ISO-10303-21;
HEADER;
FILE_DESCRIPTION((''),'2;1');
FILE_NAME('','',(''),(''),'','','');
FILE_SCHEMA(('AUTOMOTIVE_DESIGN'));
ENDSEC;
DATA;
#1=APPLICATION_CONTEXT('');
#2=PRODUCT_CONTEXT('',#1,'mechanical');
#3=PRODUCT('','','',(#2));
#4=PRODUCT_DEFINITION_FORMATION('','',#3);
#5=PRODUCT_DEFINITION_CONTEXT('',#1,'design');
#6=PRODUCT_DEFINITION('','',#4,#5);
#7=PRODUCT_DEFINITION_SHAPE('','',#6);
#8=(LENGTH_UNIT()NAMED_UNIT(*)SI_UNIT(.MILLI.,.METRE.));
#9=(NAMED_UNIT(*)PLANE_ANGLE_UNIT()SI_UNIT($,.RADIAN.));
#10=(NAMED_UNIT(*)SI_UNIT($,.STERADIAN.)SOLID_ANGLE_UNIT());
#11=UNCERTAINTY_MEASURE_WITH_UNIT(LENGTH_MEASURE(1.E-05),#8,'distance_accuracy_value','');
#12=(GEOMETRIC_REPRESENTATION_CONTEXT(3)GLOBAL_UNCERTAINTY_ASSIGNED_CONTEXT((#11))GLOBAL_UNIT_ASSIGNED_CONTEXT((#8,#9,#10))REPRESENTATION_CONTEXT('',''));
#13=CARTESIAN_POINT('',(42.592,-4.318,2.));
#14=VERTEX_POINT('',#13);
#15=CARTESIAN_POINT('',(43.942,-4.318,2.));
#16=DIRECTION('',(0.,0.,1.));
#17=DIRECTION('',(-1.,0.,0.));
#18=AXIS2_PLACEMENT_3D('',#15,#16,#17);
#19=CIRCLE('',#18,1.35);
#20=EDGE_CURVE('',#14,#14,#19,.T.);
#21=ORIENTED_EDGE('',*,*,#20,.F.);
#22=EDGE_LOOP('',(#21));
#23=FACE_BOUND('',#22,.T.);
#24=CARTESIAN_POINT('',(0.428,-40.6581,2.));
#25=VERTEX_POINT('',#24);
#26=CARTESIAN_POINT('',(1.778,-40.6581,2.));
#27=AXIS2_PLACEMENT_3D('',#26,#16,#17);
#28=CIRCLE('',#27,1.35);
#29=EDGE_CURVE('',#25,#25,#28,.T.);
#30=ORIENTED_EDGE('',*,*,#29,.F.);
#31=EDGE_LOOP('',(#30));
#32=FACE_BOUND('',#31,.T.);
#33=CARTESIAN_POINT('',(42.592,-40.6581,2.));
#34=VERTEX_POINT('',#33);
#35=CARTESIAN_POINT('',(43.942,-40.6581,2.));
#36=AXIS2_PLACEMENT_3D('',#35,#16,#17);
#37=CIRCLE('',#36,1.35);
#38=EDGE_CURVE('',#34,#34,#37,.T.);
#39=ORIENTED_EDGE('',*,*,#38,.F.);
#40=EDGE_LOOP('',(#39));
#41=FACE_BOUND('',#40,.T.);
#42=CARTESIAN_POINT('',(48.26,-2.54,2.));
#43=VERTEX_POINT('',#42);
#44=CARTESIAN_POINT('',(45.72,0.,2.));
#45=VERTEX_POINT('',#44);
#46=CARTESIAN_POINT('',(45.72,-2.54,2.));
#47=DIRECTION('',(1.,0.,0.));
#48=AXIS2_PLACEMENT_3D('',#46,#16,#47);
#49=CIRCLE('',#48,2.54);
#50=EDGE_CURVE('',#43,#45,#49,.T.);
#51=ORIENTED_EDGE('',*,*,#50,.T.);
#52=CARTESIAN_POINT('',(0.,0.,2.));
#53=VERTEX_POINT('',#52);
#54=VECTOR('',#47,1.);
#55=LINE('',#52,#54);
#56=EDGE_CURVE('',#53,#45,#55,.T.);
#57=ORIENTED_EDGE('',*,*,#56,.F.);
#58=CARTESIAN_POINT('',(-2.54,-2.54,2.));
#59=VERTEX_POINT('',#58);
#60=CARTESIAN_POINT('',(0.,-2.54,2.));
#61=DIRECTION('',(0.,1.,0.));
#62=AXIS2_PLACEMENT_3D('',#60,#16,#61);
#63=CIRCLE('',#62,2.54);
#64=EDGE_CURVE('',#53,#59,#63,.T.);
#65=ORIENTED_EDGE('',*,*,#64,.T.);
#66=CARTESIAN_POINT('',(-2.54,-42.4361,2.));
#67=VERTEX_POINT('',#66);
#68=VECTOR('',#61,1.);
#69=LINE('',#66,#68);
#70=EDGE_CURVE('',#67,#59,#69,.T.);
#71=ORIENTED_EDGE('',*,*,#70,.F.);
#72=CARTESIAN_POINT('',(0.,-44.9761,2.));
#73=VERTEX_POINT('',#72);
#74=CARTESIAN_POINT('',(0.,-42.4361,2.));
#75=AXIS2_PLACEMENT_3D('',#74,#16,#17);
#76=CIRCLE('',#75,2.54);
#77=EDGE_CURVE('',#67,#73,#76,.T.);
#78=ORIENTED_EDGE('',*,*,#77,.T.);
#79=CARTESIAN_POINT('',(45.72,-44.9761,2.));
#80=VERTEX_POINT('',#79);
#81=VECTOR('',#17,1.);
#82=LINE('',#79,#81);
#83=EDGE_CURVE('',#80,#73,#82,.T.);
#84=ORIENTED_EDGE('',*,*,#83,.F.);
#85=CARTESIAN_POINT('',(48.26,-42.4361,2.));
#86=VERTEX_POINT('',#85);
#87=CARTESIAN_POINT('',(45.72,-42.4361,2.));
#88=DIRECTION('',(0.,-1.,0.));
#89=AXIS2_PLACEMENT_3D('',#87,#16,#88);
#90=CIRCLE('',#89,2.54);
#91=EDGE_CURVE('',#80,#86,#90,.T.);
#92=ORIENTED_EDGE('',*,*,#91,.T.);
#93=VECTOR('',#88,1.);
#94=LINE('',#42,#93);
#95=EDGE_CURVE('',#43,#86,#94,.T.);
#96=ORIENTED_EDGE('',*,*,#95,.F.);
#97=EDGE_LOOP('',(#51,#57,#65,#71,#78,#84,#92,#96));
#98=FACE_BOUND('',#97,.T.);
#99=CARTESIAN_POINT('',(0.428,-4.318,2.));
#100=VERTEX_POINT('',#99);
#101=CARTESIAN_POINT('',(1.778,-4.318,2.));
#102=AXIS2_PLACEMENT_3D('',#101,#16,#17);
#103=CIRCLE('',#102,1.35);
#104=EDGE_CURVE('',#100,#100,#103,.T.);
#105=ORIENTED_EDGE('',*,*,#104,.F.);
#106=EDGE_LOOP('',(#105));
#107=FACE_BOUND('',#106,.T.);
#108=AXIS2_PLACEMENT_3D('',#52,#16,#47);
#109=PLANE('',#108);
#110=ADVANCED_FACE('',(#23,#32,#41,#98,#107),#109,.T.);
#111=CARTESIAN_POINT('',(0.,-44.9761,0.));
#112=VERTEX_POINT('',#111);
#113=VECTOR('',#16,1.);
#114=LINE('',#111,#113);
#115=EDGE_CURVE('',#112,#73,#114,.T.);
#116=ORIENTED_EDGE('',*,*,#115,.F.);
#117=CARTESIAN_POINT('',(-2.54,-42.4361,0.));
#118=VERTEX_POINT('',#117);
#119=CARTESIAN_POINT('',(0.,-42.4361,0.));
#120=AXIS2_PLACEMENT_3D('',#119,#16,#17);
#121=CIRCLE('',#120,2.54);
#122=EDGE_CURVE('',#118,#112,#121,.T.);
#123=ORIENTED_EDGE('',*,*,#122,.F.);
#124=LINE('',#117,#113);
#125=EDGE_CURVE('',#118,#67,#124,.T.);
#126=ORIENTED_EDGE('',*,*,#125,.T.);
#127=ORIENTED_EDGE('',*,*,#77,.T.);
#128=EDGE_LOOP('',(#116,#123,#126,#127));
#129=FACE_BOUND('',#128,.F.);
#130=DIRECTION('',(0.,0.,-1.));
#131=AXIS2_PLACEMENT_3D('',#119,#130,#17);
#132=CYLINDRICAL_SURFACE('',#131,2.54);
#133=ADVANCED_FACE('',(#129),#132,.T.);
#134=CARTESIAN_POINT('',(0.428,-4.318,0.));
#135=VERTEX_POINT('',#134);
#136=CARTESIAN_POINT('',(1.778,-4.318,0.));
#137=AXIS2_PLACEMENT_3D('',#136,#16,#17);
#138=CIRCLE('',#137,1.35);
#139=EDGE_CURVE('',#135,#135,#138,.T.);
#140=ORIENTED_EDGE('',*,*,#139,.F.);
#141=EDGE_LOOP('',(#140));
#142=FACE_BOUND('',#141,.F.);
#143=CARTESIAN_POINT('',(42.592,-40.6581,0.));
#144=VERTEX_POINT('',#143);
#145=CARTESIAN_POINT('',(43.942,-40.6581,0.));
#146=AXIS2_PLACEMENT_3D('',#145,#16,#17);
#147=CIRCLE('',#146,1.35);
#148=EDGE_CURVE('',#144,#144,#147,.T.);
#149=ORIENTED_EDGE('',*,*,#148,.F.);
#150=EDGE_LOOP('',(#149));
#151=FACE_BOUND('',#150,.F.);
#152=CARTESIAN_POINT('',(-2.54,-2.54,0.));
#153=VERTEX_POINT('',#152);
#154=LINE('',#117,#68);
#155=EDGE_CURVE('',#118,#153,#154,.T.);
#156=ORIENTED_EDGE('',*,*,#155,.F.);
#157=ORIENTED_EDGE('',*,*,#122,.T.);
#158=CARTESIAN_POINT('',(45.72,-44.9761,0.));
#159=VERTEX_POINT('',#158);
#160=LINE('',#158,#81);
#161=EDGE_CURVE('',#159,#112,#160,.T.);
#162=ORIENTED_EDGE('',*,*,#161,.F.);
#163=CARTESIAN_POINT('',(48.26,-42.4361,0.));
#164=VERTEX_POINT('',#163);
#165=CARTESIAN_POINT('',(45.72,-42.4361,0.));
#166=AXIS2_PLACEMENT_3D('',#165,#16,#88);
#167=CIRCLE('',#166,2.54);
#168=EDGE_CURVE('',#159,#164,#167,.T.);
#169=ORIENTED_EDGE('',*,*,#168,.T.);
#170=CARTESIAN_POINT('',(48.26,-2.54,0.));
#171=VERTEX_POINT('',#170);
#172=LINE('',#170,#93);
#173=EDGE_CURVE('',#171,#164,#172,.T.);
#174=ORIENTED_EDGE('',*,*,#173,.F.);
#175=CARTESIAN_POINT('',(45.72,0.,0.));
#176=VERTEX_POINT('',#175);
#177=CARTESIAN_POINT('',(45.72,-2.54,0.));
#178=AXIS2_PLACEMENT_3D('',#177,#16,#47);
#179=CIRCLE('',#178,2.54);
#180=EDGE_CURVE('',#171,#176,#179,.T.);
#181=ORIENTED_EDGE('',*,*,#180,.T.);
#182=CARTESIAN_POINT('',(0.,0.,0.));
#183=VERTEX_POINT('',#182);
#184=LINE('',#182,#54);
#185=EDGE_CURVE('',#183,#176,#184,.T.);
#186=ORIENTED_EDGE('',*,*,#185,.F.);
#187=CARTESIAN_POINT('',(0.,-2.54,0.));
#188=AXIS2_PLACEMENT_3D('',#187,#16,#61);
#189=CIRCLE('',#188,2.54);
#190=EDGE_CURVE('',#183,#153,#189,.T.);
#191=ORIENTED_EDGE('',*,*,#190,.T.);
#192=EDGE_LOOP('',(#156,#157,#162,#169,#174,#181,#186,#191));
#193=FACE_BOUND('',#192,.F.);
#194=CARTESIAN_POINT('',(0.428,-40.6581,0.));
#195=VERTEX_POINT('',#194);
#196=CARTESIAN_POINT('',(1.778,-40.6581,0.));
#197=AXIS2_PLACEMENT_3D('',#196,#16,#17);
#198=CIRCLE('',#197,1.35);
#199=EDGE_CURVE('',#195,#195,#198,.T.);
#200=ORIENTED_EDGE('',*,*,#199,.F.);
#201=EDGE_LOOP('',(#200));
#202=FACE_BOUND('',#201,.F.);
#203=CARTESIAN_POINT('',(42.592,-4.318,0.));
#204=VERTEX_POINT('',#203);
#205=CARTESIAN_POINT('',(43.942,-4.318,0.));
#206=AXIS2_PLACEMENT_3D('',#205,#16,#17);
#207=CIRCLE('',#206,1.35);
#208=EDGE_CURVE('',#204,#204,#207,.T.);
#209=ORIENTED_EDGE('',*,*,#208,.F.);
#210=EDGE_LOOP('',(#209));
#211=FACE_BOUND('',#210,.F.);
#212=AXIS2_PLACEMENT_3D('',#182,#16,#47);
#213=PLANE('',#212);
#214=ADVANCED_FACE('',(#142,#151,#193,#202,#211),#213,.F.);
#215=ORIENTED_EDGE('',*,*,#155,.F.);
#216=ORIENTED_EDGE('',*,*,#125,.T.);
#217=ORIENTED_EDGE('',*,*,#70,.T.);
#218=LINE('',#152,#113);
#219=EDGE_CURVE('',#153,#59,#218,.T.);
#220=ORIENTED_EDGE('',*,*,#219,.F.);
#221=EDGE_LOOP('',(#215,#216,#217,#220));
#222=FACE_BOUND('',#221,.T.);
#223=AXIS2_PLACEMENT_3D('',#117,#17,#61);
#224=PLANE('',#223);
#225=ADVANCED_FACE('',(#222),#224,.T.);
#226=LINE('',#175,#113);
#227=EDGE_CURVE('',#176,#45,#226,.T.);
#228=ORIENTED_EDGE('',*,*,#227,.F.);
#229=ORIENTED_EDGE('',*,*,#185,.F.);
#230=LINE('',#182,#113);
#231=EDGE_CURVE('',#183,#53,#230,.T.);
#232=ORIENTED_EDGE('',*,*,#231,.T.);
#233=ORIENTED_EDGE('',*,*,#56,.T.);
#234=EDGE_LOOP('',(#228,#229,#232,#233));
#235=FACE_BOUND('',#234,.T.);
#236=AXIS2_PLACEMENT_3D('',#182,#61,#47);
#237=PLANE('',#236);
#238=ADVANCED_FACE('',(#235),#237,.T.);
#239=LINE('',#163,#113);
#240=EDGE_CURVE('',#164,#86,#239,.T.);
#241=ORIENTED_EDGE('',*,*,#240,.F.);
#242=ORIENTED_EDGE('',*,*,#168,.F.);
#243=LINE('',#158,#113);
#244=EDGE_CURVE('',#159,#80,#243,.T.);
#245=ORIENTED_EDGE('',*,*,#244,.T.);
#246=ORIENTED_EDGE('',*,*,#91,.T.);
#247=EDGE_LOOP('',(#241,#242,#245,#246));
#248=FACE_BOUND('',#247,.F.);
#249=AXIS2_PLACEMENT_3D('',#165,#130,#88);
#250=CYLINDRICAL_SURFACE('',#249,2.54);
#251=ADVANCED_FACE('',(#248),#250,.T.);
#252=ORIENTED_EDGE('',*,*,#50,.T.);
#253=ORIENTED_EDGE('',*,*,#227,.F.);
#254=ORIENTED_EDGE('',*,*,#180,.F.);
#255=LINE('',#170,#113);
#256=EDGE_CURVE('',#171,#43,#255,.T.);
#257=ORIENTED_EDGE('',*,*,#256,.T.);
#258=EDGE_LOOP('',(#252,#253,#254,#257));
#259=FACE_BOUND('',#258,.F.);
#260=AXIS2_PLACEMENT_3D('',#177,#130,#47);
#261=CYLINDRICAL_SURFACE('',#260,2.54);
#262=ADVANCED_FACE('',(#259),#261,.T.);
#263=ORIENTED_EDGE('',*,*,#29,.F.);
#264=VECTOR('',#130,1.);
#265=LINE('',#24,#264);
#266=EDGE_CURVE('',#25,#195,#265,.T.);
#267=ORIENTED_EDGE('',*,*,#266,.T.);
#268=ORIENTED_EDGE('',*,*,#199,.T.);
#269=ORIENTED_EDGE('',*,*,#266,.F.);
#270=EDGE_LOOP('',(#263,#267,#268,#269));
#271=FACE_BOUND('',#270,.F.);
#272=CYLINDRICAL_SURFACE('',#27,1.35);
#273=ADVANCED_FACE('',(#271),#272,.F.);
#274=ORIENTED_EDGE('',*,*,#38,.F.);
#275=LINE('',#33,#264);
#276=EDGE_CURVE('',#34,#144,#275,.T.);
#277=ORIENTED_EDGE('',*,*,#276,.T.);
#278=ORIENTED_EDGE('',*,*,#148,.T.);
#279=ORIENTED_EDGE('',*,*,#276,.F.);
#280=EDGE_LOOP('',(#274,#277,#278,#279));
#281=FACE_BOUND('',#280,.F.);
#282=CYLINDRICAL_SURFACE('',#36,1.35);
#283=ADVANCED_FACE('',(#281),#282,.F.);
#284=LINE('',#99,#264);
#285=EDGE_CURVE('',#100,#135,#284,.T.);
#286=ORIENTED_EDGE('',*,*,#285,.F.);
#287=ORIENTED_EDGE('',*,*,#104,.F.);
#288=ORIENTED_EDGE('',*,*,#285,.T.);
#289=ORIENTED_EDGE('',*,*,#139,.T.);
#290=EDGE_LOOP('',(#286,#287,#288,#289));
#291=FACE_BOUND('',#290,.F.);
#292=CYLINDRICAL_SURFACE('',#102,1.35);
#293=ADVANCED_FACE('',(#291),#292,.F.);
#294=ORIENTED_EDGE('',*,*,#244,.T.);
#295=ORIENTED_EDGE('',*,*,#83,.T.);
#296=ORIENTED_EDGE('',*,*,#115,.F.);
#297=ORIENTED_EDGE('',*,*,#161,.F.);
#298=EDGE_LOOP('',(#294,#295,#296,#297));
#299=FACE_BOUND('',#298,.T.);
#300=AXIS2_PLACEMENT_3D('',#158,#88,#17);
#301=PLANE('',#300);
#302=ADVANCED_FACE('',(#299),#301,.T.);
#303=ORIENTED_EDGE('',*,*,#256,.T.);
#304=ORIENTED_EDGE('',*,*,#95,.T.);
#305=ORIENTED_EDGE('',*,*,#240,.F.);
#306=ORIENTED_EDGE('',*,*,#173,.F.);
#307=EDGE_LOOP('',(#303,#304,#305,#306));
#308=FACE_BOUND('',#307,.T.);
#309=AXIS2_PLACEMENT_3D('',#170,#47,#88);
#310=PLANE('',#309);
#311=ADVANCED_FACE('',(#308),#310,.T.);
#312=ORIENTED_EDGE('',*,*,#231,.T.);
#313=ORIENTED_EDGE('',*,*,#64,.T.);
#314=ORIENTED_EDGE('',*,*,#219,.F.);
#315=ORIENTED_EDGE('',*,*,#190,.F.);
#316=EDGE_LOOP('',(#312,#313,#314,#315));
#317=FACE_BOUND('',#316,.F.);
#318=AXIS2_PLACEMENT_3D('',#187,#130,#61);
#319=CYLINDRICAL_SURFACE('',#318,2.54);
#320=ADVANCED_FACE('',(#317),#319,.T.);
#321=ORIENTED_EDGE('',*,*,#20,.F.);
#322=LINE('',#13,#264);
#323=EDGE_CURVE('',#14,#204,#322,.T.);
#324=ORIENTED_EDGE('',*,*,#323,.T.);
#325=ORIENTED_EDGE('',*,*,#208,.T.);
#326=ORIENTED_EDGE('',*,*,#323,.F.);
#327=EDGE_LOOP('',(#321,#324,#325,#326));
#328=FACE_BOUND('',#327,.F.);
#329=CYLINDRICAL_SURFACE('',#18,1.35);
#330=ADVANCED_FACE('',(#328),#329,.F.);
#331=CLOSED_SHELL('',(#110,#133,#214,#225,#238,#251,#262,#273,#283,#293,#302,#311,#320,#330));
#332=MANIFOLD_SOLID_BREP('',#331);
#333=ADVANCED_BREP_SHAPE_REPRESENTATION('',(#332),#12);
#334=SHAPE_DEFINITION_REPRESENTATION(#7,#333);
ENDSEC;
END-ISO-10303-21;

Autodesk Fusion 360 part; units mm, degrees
sketch "Sketch10" plane through (0, 0, 0) normal (0, 0, 1) x (1, 0, 0)
  line L0 (0, 0) -> (45.72, 0)
  arc A0 (48.26, -2.54) -> (45.72, 0) centre (45.72, -2.54) ccw
  line L1 (45.72, -2.54) -> (48.26, -2.54) construction
  line L2 (45.72, -2.54) -> (45.72, 0) construction
  line L3 (48.26, -2.54) -> (48.26, -42.4361)
  arc A1 (48.26, -2.54) -> (45.72, 0) centre (45.72, -2.54) ccw
  arc A2 (45.72, -44.9761) -> (48.26, -42.4361) centre (45.72, -42.4361) ccw
  line L4 (0, -42.4361) -> (-2.54, -42.4361) construction
  line L5 (45.72, -44.9761) -> (0, -44.9761)
  arc A3 (-2.54, -42.4361) -> (0, -44.9761) centre (0, -42.4361) ccw
  arc A4 (-2.54, -42.4361) -> (0, -44.9761) centre (0, -42.4361) ccw
  line L6 (0, -42.4361) -> (0, -44.9761) construction
  arc A5 (0, 0) -> (-2.54, -2.54) centre (0, -2.54) ccw
  line L7 (-2.54, -42.4361) -> (-2.54, -2.54)
  point P0 (45.72, -44.9761)
  dimension "d5" = 45.72
  dimension "d7" = 2.54
  dimension "d8" = 90
  dimension "d9" = 39.8961
  dimension "d10" = 2.54
  dimension "d11" = 2.54
  dimension "d12" = 45.72
  dimension "d13" = 2.54
  dimension "d14" = 90
  dimension "d15" = 39.8961
  dimension "d16" = 2.54
  dimension "d17" = 2.54
extrude "Extrude3" add sketch "Sketch10" along normal blind 2
sketch "Sketch11" plane through (0, 0, 2) normal (0, 0, 1) x (-1, 0, 0)
  arc A0 (-45.72, 44.9761) -> (-48.26, 42.4361) centre (-45.72, 42.4361) ccw
  line L0 (-48.26, 42.4361) -> (-48.26, 2.54)
  arc A1 (-48.26, 2.54) -> (-45.72, 0) centre (-45.72, 2.54) ccw
  line L1 (-45.72, 0) -> (0, 0)
  arc A2 (0, 0) -> (2.54, 2.54) centre (0, 2.54) ccw
  line L2 (2.54, 2.54) -> (2.54, 42.4361)
  arc A3 (2.54, 42.4361) -> (0, 44.9761) centre (0, 42.4361) ccw
  line L3 (0, 44.9761) -> (-45.72, 44.9761)
  circle A4 centre (-1.778, 4.318) radius 1.35
  dimension "d22" = 2.7
extrude "Extrude4" cut sketch "Sketch11" against normal blind 4 contours A4
sketch "Sketch12" plane through (0, 0, 2) normal (0, 0, 1) x (-1, 0, 0)
  circle A0 centre (-1.778, 4.318) radius 1.35
  arc A1 (-45.72, 44.9761) -> (-48.26, 42.4361) centre (-45.72, 42.4361) ccw
  line L0 (-48.26, 42.4361) -> (-48.26, 2.54)
  arc A2 (-48.26, 2.54) -> (-45.72, 0) centre (-45.72, 2.54) ccw
  line L1 (-45.72, 0) -> (0, 0)
  arc A3 (0, 0) -> (2.54, 2.54) centre (0, 2.54) ccw
  line L2 (2.54, 2.54) -> (2.54, 42.4361)
  arc A4 (2.54, 42.4361) -> (0, 44.9761) centre (0, 42.4361) ccw
  line L3 (0, 44.9761) -> (-45.72, 44.9761)
  circle A5 centre (-43.942, 4.318) radius 1.35
  dimension "d27" = 2.7
extrude "Extrude5" cut sketch "Sketch12" against normal blind 4 contours A5
sketch "Sketch13" plane through (0, 0, 2) normal (0, 0, 1) x (-1, 0, 0)
  circle A0 centre (-43.942, 4.318) radius 1.35
  circle A1 centre (-1.778, 4.318) radius 1.35
  arc A2 (-45.72, 44.9761) -> (-48.26, 42.4361) centre (-45.72, 42.4361) ccw
  line L0 (-48.26, 42.4361) -> (-48.26, 2.54)
  arc A3 (-48.26, 2.54) -> (-45.72, 0) centre (-45.72, 2.54) ccw
  line L1 (-45.72, 0) -> (0, 0)
  arc A4 (0, 0) -> (2.54, 2.54) centre (0, 2.54) ccw
  line L2 (2.54, 2.54) -> (2.54, 42.4361)
  arc A5 (2.54, 42.4361) -> (0, 44.9761) centre (0, 42.4361) ccw
  line L3 (0, 44.9761) -> (-45.72, 44.9761)
  circle A6 centre (-1.778, 40.6581) radius 1.35
  dimension "d32" = 2.7
extrude "Extrude6" cut sketch "Sketch13" against normal blind 4 contours A6
sketch "Sketch14" plane through (0, 0, 2) normal (0, 0, 1) x (-1, 0, 0)
  circle A0 centre (-1.778, 40.6581) radius 1.35
  circle A1 centre (-43.942, 4.318) radius 1.35
  circle A2 centre (-1.778, 4.318) radius 1.35
  arc A3 (-45.72, 44.9761) -> (-48.26, 42.4361) centre (-45.72, 42.4361) ccw
  line L0 (-48.26, 42.4361) -> (-48.26, 2.54)
  arc A4 (-48.26, 2.54) -> (-45.72, 0) centre (-45.72, 2.54) ccw
  line L1 (-45.72, 0) -> (0, 0)
  arc A5 (0, 0) -> (2.54, 2.54) centre (0, 2.54) ccw
  line L2 (2.54, 2.54) -> (2.54, 42.4361)
  arc A6 (2.54, 42.4361) -> (0, 44.9761) centre (0, 42.4361) ccw
  line L3 (0, 44.9761) -> (-45.72, 44.9761)
  circle A7 centre (-43.942, 40.6581) radius 1.35
  dimension "d37" = 2.7
extrude "Extrude7" cut sketch "Sketch14" against normal blind 4 contours A7
sketch "Sketch15" plane through (0, 0, 2) normal (0, 0, 1) x (-1, 0, 0)
  circle A0 centre (-43.942, 40.6581) radius 1.35
  circle A1 centre (-1.778, 40.6581) radius 1.35
  circle A2 centre (-43.942, 4.318) radius 1.35
  circle A3 centre (-1.778, 4.318) radius 1.35
  arc A4 (-45.72, 44.9761) -> (-48.26, 42.4361) centre (-45.72, 42.4361) ccw
  line L0 (-48.26, 42.4361) -> (-48.26, 2.54)
  arc A5 (-48.26, 2.54) -> (-45.72, 0) centre (-45.72, 2.54) ccw
  line L1 (-45.72, 0) -> (0, 0)
  arc A6 (0, 0) -> (2.54, 2.54) centre (0, 2.54) ccw
  line L2 (2.54, 2.54) -> (2.54, 42.4361)
  arc A7 (2.54, 42.4361) -> (0, 44.9761) centre (0, 42.4361) ccw
  line L3 (0, 44.9761) -> (-45.72, 44.9761)
  line L4 (-4.96, 7.5) -> (-40.76, 7.5)
  line L5 (-40.76, 7.5) -> (-40.76, 37.4761)
  line L6 (-40.76, 37.4761) -> (-4.96, 37.4761)
  line L7 (-4.96, 37.4761) -> (-4.96, 7.5)
